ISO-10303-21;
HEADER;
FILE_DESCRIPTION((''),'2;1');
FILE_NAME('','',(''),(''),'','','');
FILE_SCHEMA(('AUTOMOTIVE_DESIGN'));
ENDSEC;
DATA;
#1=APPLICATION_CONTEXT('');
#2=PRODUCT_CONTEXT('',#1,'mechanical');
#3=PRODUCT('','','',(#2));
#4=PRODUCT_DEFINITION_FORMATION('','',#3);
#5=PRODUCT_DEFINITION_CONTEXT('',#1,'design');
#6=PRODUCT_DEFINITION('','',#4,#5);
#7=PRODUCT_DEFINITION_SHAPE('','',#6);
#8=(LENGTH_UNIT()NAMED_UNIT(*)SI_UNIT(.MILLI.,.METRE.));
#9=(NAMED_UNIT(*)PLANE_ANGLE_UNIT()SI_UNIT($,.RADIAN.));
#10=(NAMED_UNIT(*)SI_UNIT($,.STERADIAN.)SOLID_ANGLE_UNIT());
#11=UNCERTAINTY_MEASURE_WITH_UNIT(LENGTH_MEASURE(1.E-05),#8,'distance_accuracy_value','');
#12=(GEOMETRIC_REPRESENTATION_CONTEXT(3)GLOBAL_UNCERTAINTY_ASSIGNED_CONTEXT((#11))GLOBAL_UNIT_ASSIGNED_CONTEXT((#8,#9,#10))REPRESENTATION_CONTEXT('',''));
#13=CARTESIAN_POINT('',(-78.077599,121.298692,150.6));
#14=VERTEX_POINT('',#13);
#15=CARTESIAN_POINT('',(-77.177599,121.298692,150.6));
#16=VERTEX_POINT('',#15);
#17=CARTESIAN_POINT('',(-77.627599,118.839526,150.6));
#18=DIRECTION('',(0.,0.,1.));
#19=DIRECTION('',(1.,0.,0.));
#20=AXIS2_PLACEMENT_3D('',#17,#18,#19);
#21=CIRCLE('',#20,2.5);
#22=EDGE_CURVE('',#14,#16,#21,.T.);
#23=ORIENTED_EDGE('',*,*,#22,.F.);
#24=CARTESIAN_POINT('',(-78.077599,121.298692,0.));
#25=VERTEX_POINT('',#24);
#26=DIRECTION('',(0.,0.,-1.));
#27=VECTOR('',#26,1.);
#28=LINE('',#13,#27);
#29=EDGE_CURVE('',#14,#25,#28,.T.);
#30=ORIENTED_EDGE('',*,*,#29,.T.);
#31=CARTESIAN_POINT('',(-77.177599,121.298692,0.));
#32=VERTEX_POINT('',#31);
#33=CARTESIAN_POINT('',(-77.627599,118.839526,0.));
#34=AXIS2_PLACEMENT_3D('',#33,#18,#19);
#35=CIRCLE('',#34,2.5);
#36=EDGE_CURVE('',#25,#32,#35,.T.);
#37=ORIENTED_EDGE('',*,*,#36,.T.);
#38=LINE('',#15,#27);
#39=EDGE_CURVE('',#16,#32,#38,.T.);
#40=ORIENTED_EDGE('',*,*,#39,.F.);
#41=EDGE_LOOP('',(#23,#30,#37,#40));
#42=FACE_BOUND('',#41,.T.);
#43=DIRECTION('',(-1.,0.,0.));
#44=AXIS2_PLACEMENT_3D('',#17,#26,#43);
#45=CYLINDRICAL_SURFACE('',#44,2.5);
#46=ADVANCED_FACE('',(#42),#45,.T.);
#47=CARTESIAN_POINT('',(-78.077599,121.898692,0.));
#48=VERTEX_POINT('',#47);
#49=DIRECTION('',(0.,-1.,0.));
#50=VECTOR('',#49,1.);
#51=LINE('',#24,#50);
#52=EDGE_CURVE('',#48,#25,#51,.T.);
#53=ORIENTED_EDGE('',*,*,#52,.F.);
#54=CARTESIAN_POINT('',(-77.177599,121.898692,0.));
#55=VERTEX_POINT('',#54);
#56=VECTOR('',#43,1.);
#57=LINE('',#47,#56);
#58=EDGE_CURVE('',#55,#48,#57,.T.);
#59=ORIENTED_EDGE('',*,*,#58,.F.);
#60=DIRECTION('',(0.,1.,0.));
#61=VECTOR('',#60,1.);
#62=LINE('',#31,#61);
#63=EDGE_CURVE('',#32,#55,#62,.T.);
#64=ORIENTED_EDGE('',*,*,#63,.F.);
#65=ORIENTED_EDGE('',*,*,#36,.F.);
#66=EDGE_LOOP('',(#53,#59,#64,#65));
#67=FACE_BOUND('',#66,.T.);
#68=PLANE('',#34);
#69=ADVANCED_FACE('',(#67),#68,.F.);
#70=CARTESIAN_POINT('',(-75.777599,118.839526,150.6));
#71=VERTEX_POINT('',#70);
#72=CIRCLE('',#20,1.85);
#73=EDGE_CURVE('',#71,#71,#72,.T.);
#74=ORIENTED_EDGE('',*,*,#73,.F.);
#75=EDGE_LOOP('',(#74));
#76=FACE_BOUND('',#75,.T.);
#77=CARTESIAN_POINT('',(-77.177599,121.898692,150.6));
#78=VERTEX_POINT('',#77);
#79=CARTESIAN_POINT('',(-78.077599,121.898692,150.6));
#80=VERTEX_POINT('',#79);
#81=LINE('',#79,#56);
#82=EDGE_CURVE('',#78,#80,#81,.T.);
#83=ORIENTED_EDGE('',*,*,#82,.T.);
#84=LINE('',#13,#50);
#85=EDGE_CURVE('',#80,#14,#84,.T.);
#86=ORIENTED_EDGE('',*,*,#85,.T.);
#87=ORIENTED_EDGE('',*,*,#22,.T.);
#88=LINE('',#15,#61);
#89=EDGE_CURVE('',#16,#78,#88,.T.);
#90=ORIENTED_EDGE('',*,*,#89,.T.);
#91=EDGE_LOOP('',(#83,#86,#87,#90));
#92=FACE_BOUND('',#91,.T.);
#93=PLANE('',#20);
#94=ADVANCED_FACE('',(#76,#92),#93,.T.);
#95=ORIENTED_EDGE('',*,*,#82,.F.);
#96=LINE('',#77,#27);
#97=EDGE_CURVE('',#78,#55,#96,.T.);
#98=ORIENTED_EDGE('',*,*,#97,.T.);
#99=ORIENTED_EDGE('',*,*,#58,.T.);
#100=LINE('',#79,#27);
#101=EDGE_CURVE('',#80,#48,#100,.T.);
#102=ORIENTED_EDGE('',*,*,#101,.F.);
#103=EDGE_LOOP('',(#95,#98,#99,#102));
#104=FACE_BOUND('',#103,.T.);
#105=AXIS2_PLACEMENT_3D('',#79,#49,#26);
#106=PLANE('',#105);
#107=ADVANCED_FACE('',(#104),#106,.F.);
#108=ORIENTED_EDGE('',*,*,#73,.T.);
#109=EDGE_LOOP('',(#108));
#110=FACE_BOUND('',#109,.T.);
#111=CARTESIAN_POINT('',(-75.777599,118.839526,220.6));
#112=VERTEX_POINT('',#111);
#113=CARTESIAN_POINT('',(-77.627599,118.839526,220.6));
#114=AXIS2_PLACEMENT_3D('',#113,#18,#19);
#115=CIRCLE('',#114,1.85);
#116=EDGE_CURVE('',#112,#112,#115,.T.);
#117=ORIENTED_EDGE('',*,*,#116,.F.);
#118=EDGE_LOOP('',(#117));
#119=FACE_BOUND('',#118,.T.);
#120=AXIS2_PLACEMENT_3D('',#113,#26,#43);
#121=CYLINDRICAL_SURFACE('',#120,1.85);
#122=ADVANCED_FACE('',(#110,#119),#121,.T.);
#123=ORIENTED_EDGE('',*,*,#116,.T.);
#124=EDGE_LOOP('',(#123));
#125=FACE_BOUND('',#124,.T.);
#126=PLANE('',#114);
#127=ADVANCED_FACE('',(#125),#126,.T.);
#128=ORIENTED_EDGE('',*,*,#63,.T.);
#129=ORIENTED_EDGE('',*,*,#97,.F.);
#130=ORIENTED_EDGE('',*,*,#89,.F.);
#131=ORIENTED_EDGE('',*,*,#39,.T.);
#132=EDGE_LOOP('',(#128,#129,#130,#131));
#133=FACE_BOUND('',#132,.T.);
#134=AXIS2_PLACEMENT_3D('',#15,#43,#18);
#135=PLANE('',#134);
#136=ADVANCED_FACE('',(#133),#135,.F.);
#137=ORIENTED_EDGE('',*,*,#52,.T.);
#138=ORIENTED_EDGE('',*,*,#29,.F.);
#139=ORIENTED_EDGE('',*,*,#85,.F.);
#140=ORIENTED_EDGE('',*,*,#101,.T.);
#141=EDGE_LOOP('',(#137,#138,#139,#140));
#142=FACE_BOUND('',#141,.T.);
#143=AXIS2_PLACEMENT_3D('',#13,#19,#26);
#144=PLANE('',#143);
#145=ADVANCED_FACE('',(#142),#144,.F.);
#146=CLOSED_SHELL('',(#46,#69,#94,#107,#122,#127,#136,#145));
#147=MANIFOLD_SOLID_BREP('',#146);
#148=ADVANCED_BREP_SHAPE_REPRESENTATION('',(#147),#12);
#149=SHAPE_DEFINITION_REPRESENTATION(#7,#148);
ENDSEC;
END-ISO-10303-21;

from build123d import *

# Parameters (mm, degrees)
SALIENTE_EXTRUIR1_DEPTH = 150.6
CROQUIS2_R              = 1.85
SALIENTE_EXTRUIR2_DEPTH = 70


with BuildPart() as part:
    # Croquis1 → Saliente-Extruir1 (new body)
    with BuildSketch(Plane.XY):
        with BuildLine():
            Line((-78.077598734, 121.298692457), (-78.077598734, 121.898692457))
            Line((-78.077598734, 121.898692457), (-77.177598734, 121.898692457))
            Line((-77.177598734, 121.898692457), (-77.177598734, 121.298692457))
            ThreePointArc((-77.177598734, 121.298692457), (-77.627598734, 116.339525931), (-78.077598734, 121.298692457))
        make_face()
    extrude(amount=SALIENTE_EXTRUIR1_DEPTH)

    # Croquis2 → Saliente-Extruir2 (add)
    with BuildSketch(Plane.XY.offset(150.6)):
        with Locations((-77.627598734, 118.839525931)):
            Circle(CROQUIS2_R)
    extrude(amount=SALIENTE_EXTRUIR2_DEPTH)


solid = part.part
